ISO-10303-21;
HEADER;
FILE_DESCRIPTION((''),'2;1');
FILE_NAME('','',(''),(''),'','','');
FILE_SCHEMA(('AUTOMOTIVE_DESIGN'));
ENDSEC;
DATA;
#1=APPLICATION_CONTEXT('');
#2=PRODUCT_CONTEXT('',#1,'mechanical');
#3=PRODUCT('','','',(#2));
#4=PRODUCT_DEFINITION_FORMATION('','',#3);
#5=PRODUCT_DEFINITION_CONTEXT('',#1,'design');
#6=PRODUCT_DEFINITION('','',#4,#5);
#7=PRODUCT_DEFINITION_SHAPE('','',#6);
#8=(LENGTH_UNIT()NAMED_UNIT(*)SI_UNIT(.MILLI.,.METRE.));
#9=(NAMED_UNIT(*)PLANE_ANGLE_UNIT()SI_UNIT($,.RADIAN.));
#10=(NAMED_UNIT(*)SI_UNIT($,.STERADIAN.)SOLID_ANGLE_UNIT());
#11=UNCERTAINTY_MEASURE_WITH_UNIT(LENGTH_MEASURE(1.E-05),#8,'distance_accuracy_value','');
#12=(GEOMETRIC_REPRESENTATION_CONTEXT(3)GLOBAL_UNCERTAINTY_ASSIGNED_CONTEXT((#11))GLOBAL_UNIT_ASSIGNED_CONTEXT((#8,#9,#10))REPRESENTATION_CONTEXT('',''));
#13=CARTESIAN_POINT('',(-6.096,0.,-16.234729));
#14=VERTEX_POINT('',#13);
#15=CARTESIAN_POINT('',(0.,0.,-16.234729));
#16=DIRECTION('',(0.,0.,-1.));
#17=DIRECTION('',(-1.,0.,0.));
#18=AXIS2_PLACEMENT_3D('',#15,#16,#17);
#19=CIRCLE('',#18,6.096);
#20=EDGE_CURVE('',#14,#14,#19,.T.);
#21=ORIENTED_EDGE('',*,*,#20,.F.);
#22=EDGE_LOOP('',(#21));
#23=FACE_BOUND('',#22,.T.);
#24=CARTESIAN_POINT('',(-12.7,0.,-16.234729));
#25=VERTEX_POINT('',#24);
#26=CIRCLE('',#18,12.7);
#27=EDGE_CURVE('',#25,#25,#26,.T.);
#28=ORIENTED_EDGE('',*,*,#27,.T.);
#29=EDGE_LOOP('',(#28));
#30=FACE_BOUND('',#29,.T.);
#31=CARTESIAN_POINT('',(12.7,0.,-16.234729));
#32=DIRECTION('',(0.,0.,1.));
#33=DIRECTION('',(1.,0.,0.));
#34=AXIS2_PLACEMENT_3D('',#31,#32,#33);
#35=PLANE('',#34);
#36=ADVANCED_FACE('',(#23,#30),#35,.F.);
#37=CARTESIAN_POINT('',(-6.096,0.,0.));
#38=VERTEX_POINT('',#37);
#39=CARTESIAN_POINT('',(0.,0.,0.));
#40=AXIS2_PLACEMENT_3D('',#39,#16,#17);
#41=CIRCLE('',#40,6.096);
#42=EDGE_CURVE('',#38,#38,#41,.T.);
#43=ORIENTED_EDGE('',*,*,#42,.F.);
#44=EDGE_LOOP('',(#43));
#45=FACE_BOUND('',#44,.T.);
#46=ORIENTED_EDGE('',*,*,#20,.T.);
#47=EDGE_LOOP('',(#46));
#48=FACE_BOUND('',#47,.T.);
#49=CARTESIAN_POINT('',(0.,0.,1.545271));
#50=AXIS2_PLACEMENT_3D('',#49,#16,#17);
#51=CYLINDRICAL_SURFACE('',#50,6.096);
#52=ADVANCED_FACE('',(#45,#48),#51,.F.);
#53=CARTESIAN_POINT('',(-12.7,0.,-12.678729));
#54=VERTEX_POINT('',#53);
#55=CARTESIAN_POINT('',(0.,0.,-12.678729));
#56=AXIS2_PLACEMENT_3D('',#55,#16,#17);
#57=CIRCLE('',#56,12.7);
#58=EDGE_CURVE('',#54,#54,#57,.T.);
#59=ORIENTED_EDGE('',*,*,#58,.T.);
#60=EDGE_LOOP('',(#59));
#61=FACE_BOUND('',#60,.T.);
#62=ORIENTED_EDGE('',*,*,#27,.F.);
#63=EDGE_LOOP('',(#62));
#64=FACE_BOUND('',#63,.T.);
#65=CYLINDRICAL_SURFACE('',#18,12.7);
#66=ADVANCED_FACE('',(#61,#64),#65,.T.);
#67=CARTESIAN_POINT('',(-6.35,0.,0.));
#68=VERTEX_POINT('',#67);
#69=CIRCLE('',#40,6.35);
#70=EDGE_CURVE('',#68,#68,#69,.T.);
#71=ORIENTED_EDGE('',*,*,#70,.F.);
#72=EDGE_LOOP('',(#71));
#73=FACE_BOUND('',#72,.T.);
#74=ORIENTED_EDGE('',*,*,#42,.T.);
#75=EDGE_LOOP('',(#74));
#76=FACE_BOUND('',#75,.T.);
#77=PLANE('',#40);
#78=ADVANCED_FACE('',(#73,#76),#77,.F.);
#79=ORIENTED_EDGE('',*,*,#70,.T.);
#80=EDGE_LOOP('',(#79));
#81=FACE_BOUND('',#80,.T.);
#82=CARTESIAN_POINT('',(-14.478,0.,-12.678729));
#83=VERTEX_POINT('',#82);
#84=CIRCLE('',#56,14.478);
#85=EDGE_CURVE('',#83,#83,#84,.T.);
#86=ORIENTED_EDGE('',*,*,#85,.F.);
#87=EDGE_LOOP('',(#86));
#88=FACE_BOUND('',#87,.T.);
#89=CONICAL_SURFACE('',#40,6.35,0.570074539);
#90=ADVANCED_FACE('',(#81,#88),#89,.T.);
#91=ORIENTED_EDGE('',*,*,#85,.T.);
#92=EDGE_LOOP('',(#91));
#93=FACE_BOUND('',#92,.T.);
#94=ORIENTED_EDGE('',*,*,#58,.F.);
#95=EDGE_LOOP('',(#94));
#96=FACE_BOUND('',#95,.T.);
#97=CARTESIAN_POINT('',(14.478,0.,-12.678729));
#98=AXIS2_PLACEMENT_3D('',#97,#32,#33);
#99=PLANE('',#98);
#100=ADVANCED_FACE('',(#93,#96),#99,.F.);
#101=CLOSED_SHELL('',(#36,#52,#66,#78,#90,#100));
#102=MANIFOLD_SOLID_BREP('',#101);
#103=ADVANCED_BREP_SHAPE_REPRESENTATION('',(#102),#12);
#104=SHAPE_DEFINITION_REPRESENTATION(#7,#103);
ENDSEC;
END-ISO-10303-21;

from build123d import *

# Parameters (mm, degrees)
SKETCH2_R          = 6.096
CUT_EXTRUDE1_DEPTH = 17.78


with BuildPart() as part:
    # Sketch1 → Revolve2 (revolve)
    with BuildSketch(Plane(origin=(0, 0, 0), x_dir=(1, 0, 0), z_dir=(0, 1, 0)), mode=Mode.PRIVATE) as revolve2_sk:
        Polygon((0, 0), (6.35, 0), (14.478, 12.678729064), (12.7, 12.678729064), (12.7, 16.234729064), (0, 16.234729064), align=None)
    revolve(revolve2_sk.sketch.rotate(Axis((0, 0, -16.234729064), (0, 0, 1)), 180), axis=Axis((0, 0, -16.234729064), (0, 0, 1)))

    # Sketch2 → Cut-Extrude1 (cut)
    with BuildSketch(Plane(origin=(0, 0, -16.234729064), x_dir=(-1, 0, 0), z_dir=(0, 0, -1))):
        Circle(SKETCH2_R)
    extrude(amount=-CUT_EXTRUDE1_DEPTH, mode=Mode.SUBTRACT)


solid = part.part
